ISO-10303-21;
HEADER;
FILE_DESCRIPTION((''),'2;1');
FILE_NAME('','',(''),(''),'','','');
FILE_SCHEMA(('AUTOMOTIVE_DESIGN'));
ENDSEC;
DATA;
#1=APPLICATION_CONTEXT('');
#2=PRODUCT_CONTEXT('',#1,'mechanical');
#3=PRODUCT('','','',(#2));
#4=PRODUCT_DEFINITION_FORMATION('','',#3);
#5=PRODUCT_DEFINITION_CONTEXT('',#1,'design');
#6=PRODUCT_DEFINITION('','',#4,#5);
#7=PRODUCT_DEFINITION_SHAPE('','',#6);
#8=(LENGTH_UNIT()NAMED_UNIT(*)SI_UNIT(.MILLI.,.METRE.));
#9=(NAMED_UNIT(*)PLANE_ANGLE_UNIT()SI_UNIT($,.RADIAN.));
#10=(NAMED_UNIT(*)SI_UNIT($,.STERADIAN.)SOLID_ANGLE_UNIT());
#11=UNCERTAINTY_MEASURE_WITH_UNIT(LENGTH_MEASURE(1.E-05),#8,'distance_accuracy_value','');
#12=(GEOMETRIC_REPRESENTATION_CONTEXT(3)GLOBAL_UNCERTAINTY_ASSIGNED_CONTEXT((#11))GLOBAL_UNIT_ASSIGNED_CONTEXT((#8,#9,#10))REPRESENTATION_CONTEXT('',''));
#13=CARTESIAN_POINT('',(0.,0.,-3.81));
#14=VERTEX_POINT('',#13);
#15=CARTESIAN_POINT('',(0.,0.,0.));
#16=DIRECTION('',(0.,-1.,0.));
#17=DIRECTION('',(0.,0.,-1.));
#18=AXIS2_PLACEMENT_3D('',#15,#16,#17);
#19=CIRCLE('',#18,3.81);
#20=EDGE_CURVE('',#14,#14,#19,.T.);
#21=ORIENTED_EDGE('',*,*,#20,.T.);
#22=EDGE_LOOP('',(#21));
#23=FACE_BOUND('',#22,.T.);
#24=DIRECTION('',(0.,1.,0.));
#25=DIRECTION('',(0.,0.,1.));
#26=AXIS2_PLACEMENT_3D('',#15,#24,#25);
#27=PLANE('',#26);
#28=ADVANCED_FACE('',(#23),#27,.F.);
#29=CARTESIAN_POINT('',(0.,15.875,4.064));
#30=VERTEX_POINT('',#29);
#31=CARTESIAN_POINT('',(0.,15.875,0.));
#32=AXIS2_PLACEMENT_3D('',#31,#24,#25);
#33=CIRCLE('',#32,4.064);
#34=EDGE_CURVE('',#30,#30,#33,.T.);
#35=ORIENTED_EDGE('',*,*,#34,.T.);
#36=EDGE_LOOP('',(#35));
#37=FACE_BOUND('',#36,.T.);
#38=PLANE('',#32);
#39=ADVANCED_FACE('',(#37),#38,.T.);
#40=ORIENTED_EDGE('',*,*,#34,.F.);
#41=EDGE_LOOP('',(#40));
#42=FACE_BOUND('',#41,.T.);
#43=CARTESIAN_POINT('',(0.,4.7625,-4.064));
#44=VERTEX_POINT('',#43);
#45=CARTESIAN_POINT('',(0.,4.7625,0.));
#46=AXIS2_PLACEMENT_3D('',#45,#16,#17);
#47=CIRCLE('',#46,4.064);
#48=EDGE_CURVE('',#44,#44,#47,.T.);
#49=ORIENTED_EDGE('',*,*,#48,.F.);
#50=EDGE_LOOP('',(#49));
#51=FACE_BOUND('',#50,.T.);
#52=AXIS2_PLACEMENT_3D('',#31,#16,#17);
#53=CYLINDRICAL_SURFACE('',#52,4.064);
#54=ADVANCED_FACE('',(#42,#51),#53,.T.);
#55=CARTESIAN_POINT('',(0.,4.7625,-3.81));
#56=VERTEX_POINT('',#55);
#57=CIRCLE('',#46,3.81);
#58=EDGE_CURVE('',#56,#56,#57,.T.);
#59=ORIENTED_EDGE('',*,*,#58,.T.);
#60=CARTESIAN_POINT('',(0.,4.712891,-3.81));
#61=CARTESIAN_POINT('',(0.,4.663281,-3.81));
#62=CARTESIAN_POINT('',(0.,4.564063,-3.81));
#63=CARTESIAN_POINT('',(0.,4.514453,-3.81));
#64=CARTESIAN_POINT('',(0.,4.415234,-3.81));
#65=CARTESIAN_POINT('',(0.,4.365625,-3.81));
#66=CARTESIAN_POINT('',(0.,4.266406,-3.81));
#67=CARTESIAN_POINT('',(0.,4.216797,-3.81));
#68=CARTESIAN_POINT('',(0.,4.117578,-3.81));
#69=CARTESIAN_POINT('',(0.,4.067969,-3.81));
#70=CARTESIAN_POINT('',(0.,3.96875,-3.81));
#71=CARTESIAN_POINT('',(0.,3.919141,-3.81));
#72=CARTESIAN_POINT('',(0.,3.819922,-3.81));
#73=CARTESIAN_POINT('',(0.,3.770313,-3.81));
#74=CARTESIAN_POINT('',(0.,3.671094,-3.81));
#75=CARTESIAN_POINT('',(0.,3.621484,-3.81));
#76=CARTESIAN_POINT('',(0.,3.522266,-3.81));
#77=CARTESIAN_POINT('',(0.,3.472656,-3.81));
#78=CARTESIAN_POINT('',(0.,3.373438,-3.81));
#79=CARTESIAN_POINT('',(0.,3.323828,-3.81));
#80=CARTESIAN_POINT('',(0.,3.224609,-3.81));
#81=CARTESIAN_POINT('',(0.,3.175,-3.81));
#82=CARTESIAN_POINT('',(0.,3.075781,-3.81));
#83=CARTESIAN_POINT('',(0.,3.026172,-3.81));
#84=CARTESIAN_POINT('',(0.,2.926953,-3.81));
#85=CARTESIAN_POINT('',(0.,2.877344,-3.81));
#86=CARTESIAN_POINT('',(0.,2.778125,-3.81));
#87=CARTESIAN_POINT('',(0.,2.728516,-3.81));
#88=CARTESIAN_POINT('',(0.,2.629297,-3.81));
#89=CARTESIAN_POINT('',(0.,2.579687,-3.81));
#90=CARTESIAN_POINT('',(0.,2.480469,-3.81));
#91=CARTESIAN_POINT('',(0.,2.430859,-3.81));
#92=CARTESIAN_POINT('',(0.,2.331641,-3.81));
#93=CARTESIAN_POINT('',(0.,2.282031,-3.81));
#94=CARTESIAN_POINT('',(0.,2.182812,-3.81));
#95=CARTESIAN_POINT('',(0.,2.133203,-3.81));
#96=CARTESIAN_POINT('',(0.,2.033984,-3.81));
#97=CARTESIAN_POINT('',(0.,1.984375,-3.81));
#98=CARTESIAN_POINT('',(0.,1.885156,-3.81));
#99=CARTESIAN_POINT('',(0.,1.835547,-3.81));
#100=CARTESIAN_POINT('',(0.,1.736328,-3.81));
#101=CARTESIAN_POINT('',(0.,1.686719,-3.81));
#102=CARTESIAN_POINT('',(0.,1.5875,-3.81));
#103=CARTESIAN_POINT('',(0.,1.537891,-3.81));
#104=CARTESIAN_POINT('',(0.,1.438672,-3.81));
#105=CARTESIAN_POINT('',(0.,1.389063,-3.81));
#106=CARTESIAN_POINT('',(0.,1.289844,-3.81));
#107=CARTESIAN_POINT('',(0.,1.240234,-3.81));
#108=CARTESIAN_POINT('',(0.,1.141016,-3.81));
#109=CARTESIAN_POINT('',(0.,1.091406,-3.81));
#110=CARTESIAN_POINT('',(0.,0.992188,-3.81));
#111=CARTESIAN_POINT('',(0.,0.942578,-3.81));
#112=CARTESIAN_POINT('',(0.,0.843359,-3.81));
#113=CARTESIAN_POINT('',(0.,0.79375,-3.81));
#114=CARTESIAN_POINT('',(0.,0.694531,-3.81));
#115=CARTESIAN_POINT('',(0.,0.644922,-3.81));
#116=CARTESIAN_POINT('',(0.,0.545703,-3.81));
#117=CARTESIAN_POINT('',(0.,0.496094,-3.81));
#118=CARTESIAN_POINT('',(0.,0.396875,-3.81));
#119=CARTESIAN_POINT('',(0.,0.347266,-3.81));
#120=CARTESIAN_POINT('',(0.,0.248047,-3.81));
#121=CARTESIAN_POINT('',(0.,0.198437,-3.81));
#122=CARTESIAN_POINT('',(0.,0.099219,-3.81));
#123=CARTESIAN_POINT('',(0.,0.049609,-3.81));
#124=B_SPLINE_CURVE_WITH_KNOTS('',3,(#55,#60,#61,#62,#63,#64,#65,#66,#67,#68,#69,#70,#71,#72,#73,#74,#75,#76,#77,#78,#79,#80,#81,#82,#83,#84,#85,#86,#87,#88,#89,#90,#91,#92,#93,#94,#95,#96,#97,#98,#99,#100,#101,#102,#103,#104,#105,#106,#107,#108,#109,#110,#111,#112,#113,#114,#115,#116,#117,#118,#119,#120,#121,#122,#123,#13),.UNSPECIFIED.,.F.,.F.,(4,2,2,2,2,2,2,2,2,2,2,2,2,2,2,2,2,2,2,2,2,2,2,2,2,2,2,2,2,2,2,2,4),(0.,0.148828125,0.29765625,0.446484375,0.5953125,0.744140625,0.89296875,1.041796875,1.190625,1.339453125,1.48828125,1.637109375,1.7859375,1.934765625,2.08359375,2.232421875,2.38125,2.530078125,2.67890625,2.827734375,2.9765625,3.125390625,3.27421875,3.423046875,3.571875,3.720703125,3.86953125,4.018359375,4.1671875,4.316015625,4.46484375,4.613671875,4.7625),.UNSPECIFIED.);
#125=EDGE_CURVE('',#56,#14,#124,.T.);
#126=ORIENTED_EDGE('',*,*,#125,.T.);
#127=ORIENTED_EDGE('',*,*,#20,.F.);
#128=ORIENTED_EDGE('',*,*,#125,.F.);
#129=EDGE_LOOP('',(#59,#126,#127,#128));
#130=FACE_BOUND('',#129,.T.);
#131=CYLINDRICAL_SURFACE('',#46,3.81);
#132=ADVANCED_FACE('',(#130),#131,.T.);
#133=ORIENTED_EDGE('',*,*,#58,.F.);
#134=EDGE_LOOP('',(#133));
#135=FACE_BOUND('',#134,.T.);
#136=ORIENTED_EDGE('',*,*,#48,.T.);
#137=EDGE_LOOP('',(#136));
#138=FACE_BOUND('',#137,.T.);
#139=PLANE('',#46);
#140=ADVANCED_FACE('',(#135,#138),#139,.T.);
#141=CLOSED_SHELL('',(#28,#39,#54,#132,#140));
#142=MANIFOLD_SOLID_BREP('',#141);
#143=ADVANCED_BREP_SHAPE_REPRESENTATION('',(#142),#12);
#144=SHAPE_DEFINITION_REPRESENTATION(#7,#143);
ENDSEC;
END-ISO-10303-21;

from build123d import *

# Parameters (mm, degrees)
SKETCH1_R           = 4.064
BOSS_EXTRUDE1_DEPTH = 15.875
SKETCH2_R           = 4.064
SKETCH2_R_2         = 3.81
CUT_EXTRUDE1_DEPTH  = 4.7625


with BuildPart() as part:
    # Sketch1 → Boss-Extrude1 (new body)
    with BuildSketch(Plane(origin=(0, 0, 0), x_dir=(1, 0, 0), z_dir=(0, 1, 0))):
        with Locations(Location((0, 0, 0), (0, 0, 270))):
            Circle(SKETCH1_R)
    extrude(amount=BOSS_EXTRUDE1_DEPTH)

    # Sketch2 → Cut-Extrude1 (cut)
    with BuildSketch(Plane.XZ):
        with Locations(Location((0, 0, 0), (0, 0, 270))):
            Circle(SKETCH2_R)
        with Locations(Location((0, 0, 0), (0, 0, 270))):
            Circle(SKETCH2_R_2, mode=Mode.SUBTRACT)
    extrude(amount=-CUT_EXTRUDE1_DEPTH, mode=Mode.SUBTRACT)


solid = part.part
